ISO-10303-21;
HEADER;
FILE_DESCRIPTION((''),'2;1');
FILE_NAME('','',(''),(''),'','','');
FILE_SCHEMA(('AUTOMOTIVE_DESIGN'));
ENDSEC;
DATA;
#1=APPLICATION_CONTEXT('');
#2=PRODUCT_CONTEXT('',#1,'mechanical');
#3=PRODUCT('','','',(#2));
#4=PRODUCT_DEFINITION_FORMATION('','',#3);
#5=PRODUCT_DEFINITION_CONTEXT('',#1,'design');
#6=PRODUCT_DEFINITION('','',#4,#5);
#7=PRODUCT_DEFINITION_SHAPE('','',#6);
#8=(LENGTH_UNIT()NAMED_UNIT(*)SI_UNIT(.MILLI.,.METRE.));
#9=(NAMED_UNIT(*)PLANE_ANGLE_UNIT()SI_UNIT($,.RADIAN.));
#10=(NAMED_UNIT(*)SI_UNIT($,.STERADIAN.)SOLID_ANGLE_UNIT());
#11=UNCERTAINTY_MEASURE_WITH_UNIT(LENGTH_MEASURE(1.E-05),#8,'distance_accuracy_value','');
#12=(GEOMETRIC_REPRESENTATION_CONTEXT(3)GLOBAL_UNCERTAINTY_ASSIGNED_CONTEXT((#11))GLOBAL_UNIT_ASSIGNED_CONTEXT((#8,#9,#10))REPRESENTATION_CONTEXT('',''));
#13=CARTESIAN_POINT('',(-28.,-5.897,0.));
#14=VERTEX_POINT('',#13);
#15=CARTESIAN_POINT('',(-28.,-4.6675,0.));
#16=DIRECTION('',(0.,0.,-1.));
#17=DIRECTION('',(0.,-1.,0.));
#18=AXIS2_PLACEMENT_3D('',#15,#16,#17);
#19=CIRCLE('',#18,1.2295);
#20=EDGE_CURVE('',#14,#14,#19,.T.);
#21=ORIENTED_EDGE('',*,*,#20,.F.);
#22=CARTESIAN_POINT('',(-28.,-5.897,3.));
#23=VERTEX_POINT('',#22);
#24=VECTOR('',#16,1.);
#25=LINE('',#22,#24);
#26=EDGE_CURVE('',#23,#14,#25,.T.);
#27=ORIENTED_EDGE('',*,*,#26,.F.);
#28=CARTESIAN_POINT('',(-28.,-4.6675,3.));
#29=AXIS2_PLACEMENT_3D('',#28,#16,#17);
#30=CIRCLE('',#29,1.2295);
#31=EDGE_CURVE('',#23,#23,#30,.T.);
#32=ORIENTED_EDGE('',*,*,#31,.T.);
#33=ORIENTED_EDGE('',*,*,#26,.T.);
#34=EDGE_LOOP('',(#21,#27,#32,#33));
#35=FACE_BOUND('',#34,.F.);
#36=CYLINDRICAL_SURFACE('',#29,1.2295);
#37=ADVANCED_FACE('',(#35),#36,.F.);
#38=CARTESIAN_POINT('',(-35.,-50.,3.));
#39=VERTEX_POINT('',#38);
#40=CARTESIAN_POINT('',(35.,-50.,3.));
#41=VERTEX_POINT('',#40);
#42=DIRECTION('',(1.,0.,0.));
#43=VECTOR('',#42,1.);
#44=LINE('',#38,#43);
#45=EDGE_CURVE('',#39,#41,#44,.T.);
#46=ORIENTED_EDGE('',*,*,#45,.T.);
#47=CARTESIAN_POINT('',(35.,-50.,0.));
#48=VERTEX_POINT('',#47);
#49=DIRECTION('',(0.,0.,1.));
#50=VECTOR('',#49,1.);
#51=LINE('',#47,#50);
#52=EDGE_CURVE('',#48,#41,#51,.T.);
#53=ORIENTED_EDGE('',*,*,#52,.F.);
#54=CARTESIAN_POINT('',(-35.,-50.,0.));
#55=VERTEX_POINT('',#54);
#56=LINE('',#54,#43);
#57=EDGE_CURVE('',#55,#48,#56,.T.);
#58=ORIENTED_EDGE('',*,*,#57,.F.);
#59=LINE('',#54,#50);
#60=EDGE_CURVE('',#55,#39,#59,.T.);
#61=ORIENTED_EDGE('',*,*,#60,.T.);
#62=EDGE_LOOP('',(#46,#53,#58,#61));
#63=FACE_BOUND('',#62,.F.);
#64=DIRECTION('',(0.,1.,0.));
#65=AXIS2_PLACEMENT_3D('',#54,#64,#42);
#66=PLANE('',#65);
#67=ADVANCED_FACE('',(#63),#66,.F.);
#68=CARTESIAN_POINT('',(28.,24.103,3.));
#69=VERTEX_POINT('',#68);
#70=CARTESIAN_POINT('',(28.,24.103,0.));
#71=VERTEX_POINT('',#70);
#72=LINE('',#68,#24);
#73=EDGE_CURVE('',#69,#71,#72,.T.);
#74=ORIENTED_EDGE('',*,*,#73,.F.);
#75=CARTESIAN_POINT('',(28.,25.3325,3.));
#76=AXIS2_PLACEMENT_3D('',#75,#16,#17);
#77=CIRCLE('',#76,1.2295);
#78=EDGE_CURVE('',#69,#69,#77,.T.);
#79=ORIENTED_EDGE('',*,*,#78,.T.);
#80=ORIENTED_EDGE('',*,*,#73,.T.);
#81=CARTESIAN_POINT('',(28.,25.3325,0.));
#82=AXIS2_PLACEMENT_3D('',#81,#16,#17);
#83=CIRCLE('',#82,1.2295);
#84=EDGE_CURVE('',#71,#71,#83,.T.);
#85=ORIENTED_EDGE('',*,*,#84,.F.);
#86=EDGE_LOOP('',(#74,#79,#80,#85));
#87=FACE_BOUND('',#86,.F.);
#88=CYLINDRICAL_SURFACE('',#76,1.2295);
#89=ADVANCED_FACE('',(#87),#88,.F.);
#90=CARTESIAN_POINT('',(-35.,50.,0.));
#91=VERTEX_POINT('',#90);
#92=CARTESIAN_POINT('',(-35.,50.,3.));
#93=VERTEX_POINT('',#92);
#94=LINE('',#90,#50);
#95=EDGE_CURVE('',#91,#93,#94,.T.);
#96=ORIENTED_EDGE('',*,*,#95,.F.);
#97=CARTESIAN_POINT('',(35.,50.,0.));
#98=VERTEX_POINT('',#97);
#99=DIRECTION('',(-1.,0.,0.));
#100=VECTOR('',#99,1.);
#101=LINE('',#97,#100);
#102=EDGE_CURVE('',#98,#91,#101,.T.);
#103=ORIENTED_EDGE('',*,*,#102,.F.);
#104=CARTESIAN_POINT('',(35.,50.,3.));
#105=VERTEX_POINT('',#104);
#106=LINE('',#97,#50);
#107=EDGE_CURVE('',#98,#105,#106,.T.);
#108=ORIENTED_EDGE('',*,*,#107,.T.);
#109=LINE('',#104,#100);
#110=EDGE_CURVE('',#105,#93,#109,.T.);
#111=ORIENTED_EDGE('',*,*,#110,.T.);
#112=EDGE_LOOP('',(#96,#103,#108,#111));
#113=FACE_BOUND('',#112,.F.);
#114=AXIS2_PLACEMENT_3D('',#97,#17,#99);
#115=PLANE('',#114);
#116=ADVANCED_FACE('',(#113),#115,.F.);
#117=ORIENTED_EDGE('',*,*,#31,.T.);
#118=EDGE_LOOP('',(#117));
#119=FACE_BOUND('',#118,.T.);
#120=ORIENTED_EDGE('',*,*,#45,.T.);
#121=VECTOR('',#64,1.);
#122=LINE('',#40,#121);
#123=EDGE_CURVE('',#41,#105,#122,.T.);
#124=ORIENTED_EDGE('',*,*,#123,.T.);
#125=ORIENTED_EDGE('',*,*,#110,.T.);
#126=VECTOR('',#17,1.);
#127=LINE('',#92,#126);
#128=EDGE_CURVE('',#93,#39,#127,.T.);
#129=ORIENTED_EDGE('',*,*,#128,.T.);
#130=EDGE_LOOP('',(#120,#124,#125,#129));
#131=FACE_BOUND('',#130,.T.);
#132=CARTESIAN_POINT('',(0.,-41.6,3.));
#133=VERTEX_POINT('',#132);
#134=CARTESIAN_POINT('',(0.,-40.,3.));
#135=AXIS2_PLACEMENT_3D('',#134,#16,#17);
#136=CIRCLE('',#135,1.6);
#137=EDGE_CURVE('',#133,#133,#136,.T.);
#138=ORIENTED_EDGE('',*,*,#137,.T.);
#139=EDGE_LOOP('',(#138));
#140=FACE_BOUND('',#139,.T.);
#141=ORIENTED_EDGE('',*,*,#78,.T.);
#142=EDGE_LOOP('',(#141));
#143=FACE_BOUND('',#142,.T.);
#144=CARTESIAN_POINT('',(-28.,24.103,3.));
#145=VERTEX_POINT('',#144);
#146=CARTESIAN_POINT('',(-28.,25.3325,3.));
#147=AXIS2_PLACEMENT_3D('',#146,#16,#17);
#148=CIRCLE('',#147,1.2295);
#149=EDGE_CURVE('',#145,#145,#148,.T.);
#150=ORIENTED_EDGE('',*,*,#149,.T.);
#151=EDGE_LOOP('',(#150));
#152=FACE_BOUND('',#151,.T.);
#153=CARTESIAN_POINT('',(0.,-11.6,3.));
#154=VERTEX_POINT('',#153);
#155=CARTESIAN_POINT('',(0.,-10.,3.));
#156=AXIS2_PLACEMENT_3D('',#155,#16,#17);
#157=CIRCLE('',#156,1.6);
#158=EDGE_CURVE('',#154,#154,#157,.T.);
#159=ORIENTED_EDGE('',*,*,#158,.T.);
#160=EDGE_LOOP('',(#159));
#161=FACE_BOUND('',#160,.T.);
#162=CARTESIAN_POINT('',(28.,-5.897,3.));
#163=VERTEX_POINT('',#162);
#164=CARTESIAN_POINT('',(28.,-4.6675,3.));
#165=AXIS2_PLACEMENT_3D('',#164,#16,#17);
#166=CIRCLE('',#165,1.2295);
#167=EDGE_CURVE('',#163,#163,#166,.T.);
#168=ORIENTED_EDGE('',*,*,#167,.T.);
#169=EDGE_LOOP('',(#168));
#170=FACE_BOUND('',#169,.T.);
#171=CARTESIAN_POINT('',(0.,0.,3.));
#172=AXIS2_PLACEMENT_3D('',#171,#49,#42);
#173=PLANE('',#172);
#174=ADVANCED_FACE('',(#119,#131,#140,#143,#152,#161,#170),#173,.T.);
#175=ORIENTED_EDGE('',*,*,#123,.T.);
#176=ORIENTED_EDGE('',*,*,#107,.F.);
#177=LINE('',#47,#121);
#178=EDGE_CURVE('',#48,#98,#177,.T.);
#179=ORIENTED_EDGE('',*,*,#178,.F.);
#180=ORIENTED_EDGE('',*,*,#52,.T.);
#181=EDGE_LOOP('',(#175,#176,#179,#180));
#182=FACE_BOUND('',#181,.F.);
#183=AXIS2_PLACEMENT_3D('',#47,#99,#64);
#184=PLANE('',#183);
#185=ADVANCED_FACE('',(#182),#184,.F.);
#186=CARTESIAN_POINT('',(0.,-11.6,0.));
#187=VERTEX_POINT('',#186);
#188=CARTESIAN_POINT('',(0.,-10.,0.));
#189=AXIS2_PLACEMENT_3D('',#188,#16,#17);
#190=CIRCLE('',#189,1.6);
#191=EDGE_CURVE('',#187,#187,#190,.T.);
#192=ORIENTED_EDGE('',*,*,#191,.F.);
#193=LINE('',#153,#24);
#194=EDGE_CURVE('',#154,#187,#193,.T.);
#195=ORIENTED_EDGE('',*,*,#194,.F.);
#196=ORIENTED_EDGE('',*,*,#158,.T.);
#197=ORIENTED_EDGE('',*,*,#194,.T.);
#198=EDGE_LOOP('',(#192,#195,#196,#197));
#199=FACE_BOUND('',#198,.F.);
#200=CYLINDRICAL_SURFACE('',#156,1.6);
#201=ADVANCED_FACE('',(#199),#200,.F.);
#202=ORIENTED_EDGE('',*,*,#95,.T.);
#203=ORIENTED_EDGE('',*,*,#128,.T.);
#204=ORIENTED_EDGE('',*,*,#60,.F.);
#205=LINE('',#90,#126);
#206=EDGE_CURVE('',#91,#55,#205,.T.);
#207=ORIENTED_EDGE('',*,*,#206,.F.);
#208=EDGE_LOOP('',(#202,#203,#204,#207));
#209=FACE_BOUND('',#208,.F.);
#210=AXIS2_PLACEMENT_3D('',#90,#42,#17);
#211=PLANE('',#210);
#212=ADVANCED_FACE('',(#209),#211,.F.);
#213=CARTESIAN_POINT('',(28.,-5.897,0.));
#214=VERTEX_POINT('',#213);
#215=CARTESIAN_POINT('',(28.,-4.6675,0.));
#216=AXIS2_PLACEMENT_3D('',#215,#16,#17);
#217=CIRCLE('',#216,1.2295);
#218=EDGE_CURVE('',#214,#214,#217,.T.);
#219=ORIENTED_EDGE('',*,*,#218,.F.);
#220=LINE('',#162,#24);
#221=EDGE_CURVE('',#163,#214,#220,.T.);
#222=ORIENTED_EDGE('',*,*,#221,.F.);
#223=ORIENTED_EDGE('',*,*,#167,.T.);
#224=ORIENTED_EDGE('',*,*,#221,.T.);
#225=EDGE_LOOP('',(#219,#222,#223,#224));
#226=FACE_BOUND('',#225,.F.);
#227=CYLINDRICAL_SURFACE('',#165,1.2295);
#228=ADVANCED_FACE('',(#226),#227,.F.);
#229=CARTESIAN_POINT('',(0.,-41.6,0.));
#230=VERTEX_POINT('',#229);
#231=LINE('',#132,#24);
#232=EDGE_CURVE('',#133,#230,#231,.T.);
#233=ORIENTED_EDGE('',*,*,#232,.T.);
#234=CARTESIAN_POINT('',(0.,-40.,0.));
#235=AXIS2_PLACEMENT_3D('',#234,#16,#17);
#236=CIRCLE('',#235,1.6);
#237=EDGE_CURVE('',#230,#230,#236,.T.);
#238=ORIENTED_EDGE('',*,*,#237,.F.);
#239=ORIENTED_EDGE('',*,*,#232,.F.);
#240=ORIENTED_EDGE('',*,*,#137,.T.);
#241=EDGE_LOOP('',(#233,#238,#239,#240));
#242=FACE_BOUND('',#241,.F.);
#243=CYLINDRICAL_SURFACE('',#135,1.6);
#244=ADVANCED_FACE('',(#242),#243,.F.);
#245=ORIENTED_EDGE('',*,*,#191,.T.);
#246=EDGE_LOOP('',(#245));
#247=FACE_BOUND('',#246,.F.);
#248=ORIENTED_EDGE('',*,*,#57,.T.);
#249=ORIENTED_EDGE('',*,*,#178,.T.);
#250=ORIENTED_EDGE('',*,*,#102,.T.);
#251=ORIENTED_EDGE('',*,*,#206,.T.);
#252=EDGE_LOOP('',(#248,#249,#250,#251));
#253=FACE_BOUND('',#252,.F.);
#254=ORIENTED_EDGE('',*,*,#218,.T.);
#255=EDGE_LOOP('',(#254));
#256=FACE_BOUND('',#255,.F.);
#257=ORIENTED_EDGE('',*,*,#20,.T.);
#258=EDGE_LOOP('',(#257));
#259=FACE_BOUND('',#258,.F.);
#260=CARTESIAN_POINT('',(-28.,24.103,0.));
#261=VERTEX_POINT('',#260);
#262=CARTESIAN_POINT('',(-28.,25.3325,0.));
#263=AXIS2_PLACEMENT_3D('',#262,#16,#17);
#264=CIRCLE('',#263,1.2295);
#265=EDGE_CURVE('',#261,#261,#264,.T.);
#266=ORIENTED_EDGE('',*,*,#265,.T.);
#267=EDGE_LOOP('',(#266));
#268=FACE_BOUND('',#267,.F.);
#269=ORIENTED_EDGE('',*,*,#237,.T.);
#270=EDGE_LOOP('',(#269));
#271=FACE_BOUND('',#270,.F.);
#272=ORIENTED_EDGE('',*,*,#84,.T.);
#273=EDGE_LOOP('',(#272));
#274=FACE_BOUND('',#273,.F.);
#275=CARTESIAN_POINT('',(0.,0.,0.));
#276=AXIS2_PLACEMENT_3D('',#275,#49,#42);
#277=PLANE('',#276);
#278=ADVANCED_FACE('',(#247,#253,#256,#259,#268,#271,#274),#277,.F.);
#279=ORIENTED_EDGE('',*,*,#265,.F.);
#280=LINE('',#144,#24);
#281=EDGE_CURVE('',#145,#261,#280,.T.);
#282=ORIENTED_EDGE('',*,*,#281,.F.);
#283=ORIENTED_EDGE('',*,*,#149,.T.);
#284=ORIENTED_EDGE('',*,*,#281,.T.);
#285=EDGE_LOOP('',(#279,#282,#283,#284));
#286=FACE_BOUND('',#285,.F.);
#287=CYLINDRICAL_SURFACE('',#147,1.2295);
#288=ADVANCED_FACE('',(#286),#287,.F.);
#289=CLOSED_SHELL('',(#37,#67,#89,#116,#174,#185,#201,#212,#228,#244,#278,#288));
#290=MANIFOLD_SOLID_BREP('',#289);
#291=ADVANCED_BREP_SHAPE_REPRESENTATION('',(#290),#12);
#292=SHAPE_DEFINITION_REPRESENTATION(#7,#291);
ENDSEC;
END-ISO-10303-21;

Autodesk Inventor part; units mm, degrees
ref_plane "YZ Plane" through (0, 0, 0) normal (1, 0, 0) x (0, 1, 0)
ref_plane "XZ Plane" through (0, 0, 0) normal (0, 1, 0) x (-1, 0, 0)
ref_plane "XY Plane" through (0, 0, 0) normal (0, 0, 1) x (1, 0, 0)
sketch "スケッチ1" plane through (0, 0, 0) normal (0, 0, 1) x (1, 0, 0)
  line L0 (-35, -50) -> (35, -50)
  line L1 (35, -50) -> (35, 50)
  line L2 (35, 50) -> (-35, 50)
  line L3 (-35, 50) -> (-35, -50)
  line L4 (-35, -50) -> (35, 50) construction
  line L5 (35, -50) -> (-35, 50) construction
  point P0 (0, 0)
  dimension "d0" = 70
  dimension "d1" = 100
extrude "押し出し1" add sketch "スケッチ1" along normal blind 3
sketch "スケッチ2" plane through (0, 0, 3) normal (0, 0, 1) x (1, 0, 0)
  line L0 (-35, -50) -> (35, -50) projected
  point P0 (0, 0)
  point P1 (0, -40)
  point P2 (0, -10)
  dimension "d4" = 10
  dimension "d5" = 30
hole "穴1" at (0, -40, 3) at (0, -10, 3) direction (0, 0, -1) diameter 3.2 depth 8.8 tip angle 118
sketch "スケッチ3" plane through (0, 0, 3) normal (0, 0, 1) x (1, 0, 0)
  line L0 (-35, 50) -> (-35, -50) projected
  line L1 (35, -50) -> (35, 50) projected
  point P0 (0, 0)
  point P1 (-28, 25.3325)
  point P2 (28, 25.3325)
  point P3 (-28, -4.6675)
  point P4 (28, -4.6675)
  dimension "d14" = 7
  dimension "d15" = 7
  dimension "d16" = 30
  dimension "d17" = 30
  dimension "d18" = 56
hole "穴2" at (-28, 25.3325, 3) at (28, 25.3325, 3) at (-28, -4.6675, 3) at (28, -4.6675, 3) direction (0, 0, -1) diameter 2.459 depth 8.8 tip angle 118 thread size "M3x0.5" class "6H" standard "ISO Metric profile"
properties part number "20220613_カメラ固定"
